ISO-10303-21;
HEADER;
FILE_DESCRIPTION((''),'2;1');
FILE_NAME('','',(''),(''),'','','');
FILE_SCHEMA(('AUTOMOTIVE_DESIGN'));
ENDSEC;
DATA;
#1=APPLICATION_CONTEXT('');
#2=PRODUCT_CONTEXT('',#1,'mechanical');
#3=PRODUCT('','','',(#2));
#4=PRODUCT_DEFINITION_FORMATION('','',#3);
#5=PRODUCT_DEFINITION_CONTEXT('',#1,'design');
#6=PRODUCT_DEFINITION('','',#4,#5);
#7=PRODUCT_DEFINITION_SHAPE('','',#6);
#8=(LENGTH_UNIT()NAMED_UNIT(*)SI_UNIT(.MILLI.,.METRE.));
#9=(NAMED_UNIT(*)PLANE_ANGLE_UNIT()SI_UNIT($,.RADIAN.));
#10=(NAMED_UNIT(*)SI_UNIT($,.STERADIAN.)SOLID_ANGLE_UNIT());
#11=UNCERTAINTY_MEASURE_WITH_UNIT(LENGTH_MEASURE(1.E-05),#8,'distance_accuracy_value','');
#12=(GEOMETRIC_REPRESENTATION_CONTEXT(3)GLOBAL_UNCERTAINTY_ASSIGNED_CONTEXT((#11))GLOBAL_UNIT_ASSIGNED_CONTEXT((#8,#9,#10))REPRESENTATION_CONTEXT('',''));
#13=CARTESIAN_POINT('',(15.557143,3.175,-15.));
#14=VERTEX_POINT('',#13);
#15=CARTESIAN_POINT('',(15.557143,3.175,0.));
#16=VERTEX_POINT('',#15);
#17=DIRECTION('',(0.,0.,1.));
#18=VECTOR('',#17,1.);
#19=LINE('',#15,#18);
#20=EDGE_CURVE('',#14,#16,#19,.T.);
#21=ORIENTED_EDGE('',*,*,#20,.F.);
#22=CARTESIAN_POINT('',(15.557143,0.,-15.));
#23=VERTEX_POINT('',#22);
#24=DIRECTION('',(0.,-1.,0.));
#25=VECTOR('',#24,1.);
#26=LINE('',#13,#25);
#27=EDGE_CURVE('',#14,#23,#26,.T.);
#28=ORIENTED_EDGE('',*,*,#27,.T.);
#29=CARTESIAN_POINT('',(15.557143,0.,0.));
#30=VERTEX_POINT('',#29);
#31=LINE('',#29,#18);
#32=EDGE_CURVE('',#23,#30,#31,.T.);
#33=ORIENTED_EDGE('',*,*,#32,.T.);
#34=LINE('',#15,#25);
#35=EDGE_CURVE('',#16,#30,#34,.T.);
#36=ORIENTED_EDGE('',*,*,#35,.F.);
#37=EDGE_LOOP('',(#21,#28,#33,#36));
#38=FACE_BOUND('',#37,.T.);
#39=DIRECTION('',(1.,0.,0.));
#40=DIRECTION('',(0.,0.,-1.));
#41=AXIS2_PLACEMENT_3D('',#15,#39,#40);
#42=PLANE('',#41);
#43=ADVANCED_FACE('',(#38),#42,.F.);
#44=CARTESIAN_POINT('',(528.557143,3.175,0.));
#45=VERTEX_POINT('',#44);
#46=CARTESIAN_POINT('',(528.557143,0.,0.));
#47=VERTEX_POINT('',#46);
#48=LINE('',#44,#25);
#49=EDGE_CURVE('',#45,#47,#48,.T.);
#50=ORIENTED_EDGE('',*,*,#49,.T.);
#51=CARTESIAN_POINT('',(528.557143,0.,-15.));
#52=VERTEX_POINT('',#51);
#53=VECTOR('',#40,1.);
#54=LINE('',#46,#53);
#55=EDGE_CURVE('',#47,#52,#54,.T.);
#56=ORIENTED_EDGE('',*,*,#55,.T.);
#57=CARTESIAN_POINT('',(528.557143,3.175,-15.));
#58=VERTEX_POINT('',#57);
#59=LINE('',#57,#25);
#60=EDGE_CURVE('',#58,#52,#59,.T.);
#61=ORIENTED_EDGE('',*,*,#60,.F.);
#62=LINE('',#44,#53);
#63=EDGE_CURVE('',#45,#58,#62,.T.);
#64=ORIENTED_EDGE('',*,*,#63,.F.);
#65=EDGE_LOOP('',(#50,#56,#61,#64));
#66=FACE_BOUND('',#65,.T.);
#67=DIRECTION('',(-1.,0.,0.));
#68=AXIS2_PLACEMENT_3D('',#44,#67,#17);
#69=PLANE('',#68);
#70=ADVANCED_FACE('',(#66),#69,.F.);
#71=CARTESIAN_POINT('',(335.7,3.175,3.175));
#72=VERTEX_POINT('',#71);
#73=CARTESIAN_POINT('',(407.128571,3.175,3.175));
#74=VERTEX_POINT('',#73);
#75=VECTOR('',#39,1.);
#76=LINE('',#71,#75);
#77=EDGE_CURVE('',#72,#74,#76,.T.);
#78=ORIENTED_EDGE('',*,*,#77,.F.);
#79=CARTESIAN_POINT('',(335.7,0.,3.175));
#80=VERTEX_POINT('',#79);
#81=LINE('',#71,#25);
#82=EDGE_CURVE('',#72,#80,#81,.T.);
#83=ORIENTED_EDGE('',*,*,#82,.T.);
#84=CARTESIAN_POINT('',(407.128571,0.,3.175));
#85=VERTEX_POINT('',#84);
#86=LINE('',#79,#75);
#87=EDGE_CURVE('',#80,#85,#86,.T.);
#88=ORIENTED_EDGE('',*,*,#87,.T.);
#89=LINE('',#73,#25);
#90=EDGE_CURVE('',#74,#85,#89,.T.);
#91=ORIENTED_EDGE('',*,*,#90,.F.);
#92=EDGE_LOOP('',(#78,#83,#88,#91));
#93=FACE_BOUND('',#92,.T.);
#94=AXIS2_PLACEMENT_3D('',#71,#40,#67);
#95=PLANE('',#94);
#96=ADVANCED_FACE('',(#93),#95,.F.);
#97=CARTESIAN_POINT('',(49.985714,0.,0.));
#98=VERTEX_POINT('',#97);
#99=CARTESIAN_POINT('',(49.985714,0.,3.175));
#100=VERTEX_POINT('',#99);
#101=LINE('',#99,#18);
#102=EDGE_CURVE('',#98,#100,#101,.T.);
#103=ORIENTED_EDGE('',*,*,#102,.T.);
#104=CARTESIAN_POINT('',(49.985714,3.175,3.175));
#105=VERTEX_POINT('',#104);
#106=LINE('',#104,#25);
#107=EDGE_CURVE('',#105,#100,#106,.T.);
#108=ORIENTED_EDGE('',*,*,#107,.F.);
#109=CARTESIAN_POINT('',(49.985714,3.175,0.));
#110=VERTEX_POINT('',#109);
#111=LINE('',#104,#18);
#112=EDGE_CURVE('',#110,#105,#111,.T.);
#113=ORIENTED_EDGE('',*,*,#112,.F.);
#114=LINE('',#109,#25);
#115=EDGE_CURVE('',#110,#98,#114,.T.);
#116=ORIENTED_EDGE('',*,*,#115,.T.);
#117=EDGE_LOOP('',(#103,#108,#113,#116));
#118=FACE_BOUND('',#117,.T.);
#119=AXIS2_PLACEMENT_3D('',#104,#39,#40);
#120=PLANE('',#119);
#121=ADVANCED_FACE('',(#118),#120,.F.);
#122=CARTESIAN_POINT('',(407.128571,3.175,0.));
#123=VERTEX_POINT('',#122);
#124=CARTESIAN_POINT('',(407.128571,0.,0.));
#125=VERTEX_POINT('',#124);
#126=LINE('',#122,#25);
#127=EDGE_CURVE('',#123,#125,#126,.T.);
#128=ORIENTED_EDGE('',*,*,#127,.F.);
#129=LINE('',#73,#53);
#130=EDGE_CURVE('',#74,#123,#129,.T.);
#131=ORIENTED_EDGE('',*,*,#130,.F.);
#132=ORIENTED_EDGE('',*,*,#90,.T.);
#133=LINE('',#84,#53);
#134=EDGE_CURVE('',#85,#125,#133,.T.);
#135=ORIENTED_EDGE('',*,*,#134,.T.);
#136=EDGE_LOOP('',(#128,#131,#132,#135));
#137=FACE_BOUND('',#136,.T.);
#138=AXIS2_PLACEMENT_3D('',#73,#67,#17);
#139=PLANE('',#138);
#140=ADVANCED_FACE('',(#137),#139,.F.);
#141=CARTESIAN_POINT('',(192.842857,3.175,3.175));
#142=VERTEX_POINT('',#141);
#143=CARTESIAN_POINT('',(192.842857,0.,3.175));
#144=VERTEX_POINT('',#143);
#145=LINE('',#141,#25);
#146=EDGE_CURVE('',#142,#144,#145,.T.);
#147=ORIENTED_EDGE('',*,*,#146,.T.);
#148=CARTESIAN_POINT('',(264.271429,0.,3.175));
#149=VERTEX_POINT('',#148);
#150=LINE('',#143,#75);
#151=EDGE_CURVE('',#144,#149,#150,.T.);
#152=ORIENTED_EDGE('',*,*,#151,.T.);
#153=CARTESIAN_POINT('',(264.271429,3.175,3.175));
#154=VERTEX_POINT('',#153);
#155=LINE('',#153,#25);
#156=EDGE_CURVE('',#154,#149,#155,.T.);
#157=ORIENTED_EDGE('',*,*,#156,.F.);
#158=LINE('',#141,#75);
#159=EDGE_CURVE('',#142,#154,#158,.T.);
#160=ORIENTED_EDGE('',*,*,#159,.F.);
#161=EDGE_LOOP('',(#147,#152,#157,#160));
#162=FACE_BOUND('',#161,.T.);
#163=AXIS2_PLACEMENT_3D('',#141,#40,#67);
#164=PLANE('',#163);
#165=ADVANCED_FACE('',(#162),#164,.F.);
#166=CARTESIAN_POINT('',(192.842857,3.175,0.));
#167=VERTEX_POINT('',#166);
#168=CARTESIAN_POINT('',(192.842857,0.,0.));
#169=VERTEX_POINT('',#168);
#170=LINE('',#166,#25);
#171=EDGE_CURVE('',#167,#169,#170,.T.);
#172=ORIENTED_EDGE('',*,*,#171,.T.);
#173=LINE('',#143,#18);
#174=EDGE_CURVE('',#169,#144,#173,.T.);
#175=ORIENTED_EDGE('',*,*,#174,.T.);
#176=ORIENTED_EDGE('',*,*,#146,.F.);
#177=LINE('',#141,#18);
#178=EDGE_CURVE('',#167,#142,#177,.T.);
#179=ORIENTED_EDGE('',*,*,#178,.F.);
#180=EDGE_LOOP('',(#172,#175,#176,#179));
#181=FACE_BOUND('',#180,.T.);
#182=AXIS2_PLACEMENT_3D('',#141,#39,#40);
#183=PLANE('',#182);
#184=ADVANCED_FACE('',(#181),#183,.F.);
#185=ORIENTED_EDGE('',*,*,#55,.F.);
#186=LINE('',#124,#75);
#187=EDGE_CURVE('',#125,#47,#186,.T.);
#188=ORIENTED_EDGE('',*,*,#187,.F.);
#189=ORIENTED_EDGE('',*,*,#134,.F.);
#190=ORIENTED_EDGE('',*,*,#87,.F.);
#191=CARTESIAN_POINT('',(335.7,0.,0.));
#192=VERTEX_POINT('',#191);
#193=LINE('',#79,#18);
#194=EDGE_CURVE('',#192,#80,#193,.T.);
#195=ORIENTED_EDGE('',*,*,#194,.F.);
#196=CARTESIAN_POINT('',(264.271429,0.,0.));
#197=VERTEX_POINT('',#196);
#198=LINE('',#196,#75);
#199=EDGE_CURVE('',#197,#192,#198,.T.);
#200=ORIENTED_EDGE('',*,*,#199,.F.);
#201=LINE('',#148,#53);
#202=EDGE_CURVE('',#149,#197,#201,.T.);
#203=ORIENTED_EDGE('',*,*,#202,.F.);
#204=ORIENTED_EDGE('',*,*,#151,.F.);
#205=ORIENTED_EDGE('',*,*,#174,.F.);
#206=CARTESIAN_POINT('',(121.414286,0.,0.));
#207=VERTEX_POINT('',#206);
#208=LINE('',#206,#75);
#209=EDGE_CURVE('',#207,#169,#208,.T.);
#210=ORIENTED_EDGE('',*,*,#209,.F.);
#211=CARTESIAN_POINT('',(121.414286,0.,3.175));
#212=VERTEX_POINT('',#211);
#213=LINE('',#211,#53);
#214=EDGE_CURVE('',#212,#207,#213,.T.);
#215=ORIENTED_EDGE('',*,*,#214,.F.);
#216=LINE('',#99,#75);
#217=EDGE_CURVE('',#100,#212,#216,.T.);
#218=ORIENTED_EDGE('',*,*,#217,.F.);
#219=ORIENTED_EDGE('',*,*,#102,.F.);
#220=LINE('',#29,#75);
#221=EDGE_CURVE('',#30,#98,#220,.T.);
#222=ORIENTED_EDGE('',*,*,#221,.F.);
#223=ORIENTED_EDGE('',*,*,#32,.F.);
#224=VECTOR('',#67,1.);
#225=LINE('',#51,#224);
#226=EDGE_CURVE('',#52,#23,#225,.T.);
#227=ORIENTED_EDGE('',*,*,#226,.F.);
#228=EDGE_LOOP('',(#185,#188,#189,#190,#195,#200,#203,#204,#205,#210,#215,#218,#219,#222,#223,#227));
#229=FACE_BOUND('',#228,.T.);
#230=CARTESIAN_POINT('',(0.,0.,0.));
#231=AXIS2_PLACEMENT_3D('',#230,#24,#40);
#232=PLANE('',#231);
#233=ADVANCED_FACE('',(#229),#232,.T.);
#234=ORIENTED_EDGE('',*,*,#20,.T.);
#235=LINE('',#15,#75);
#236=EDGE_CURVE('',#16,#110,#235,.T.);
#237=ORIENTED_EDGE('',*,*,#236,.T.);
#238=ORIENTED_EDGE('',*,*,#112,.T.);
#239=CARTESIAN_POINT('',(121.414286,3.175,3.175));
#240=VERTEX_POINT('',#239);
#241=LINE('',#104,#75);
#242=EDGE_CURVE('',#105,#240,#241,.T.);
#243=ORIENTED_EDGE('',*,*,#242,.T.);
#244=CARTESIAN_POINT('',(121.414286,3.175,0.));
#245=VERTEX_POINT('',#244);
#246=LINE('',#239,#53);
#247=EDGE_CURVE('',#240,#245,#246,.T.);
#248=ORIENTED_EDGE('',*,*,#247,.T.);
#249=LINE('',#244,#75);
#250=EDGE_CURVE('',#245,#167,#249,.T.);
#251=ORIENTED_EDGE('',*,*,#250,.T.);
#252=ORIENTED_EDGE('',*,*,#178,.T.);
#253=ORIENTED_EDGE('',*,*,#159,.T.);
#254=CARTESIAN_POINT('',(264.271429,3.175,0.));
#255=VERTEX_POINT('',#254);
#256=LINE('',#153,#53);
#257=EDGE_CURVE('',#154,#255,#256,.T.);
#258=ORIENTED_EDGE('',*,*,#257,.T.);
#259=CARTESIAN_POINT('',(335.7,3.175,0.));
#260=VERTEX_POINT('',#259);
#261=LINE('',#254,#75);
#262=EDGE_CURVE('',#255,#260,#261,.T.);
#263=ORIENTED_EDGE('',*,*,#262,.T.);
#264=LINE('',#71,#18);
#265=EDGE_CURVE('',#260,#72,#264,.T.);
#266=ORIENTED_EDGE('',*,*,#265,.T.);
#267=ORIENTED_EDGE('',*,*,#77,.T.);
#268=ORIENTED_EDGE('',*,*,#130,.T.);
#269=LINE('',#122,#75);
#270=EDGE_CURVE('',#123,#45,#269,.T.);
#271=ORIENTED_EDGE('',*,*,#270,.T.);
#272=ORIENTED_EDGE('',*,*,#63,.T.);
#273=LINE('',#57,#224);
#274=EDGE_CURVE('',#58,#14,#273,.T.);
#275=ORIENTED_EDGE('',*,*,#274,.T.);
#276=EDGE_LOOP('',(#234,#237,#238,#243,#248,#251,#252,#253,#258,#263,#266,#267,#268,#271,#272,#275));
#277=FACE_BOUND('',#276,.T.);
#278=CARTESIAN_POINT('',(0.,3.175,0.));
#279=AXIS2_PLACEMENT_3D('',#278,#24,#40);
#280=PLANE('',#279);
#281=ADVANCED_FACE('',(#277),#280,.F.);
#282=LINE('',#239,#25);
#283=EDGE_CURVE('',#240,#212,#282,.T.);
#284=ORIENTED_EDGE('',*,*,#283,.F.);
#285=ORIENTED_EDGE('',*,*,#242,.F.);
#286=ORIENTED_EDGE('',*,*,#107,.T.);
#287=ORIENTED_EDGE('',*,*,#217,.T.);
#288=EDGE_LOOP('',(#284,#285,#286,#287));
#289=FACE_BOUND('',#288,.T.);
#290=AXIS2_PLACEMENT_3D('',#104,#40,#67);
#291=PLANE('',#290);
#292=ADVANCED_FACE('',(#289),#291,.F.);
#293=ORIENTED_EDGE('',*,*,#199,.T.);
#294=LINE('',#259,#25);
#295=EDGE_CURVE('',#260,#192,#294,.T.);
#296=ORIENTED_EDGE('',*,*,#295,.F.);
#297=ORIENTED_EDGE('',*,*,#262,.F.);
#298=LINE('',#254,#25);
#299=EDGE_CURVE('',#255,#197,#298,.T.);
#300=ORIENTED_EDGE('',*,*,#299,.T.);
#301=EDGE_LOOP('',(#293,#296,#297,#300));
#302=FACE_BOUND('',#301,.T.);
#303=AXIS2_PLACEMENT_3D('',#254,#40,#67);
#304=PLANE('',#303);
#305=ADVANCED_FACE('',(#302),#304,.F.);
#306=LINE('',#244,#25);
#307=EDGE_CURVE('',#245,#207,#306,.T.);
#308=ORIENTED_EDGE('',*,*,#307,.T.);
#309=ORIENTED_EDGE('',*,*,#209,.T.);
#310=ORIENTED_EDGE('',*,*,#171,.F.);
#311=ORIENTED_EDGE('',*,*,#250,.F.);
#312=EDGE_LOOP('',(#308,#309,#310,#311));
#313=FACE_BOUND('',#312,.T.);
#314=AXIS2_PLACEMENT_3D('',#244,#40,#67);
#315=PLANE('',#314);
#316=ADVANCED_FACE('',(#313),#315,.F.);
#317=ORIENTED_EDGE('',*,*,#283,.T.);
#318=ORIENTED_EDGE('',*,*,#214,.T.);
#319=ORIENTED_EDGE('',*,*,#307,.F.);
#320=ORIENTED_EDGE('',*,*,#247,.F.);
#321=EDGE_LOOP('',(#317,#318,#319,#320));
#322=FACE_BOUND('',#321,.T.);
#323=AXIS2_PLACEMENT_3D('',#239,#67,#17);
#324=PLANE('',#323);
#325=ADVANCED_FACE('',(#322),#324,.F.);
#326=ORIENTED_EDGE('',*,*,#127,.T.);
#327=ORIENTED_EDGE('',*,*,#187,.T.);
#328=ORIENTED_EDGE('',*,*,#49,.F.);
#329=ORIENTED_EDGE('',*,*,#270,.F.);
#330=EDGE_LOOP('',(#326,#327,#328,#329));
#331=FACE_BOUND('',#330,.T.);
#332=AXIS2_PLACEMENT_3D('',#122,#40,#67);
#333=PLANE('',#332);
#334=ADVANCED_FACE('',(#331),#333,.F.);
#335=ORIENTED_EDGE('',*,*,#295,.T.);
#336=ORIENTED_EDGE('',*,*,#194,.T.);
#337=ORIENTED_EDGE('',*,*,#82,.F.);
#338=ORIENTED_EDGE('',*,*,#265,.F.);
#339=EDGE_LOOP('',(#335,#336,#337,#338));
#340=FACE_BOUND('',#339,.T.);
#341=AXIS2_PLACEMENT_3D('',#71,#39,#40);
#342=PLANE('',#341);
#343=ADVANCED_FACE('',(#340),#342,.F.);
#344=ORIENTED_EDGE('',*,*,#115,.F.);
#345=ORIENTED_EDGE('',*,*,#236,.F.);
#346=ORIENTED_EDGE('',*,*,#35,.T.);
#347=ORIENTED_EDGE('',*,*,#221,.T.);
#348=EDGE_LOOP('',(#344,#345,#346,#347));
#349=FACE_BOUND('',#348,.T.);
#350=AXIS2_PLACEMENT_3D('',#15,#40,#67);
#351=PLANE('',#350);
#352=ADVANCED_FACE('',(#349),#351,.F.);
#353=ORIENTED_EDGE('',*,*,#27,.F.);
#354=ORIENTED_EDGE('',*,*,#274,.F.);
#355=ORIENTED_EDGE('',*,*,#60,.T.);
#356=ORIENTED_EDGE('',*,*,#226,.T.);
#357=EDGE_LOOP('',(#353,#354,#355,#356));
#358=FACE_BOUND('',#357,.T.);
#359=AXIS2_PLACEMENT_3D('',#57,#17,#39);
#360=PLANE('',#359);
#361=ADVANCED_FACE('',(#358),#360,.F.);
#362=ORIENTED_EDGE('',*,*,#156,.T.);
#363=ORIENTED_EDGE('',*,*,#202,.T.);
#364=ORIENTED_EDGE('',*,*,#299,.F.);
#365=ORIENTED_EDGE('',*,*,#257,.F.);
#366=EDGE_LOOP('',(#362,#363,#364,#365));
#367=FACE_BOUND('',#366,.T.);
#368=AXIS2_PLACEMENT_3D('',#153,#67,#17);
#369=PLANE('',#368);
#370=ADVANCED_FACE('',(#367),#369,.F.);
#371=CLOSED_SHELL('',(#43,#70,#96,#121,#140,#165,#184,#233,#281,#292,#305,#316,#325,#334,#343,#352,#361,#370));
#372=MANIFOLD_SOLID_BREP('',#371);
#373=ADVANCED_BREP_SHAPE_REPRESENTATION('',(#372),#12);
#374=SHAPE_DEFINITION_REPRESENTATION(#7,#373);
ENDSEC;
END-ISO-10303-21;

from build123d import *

# Parameters (mm, degrees)
BOSS_EXTRUDE1_DEPTH = 3.175


with BuildPart() as part:
    # Sketch1 → Boss-Extrude1 (new body)
    with BuildSketch(Plane(origin=(0, 0, 0), x_dir=(1, 0, 0), z_dir=(0, 1, 0))):
        Polygon((15.557142857, 0), (15.557142857, 15), (528.557142857, 15), (528.557142857, 0), (407.128571429, 0), (407.128571429, -3.175), (335.7, -3.175), (335.7, 0), (264.271428571, 0), (264.271428571, -3.175), (192.842857143, -3.175), (192.842857143, 0), (121.414285714, 0), (121.414285714, -3.175), (49.985714286, -3.175), (49.985714286, 0), align=None)
    extrude(amount=BOSS_EXTRUDE1_DEPTH)


solid = part.part
